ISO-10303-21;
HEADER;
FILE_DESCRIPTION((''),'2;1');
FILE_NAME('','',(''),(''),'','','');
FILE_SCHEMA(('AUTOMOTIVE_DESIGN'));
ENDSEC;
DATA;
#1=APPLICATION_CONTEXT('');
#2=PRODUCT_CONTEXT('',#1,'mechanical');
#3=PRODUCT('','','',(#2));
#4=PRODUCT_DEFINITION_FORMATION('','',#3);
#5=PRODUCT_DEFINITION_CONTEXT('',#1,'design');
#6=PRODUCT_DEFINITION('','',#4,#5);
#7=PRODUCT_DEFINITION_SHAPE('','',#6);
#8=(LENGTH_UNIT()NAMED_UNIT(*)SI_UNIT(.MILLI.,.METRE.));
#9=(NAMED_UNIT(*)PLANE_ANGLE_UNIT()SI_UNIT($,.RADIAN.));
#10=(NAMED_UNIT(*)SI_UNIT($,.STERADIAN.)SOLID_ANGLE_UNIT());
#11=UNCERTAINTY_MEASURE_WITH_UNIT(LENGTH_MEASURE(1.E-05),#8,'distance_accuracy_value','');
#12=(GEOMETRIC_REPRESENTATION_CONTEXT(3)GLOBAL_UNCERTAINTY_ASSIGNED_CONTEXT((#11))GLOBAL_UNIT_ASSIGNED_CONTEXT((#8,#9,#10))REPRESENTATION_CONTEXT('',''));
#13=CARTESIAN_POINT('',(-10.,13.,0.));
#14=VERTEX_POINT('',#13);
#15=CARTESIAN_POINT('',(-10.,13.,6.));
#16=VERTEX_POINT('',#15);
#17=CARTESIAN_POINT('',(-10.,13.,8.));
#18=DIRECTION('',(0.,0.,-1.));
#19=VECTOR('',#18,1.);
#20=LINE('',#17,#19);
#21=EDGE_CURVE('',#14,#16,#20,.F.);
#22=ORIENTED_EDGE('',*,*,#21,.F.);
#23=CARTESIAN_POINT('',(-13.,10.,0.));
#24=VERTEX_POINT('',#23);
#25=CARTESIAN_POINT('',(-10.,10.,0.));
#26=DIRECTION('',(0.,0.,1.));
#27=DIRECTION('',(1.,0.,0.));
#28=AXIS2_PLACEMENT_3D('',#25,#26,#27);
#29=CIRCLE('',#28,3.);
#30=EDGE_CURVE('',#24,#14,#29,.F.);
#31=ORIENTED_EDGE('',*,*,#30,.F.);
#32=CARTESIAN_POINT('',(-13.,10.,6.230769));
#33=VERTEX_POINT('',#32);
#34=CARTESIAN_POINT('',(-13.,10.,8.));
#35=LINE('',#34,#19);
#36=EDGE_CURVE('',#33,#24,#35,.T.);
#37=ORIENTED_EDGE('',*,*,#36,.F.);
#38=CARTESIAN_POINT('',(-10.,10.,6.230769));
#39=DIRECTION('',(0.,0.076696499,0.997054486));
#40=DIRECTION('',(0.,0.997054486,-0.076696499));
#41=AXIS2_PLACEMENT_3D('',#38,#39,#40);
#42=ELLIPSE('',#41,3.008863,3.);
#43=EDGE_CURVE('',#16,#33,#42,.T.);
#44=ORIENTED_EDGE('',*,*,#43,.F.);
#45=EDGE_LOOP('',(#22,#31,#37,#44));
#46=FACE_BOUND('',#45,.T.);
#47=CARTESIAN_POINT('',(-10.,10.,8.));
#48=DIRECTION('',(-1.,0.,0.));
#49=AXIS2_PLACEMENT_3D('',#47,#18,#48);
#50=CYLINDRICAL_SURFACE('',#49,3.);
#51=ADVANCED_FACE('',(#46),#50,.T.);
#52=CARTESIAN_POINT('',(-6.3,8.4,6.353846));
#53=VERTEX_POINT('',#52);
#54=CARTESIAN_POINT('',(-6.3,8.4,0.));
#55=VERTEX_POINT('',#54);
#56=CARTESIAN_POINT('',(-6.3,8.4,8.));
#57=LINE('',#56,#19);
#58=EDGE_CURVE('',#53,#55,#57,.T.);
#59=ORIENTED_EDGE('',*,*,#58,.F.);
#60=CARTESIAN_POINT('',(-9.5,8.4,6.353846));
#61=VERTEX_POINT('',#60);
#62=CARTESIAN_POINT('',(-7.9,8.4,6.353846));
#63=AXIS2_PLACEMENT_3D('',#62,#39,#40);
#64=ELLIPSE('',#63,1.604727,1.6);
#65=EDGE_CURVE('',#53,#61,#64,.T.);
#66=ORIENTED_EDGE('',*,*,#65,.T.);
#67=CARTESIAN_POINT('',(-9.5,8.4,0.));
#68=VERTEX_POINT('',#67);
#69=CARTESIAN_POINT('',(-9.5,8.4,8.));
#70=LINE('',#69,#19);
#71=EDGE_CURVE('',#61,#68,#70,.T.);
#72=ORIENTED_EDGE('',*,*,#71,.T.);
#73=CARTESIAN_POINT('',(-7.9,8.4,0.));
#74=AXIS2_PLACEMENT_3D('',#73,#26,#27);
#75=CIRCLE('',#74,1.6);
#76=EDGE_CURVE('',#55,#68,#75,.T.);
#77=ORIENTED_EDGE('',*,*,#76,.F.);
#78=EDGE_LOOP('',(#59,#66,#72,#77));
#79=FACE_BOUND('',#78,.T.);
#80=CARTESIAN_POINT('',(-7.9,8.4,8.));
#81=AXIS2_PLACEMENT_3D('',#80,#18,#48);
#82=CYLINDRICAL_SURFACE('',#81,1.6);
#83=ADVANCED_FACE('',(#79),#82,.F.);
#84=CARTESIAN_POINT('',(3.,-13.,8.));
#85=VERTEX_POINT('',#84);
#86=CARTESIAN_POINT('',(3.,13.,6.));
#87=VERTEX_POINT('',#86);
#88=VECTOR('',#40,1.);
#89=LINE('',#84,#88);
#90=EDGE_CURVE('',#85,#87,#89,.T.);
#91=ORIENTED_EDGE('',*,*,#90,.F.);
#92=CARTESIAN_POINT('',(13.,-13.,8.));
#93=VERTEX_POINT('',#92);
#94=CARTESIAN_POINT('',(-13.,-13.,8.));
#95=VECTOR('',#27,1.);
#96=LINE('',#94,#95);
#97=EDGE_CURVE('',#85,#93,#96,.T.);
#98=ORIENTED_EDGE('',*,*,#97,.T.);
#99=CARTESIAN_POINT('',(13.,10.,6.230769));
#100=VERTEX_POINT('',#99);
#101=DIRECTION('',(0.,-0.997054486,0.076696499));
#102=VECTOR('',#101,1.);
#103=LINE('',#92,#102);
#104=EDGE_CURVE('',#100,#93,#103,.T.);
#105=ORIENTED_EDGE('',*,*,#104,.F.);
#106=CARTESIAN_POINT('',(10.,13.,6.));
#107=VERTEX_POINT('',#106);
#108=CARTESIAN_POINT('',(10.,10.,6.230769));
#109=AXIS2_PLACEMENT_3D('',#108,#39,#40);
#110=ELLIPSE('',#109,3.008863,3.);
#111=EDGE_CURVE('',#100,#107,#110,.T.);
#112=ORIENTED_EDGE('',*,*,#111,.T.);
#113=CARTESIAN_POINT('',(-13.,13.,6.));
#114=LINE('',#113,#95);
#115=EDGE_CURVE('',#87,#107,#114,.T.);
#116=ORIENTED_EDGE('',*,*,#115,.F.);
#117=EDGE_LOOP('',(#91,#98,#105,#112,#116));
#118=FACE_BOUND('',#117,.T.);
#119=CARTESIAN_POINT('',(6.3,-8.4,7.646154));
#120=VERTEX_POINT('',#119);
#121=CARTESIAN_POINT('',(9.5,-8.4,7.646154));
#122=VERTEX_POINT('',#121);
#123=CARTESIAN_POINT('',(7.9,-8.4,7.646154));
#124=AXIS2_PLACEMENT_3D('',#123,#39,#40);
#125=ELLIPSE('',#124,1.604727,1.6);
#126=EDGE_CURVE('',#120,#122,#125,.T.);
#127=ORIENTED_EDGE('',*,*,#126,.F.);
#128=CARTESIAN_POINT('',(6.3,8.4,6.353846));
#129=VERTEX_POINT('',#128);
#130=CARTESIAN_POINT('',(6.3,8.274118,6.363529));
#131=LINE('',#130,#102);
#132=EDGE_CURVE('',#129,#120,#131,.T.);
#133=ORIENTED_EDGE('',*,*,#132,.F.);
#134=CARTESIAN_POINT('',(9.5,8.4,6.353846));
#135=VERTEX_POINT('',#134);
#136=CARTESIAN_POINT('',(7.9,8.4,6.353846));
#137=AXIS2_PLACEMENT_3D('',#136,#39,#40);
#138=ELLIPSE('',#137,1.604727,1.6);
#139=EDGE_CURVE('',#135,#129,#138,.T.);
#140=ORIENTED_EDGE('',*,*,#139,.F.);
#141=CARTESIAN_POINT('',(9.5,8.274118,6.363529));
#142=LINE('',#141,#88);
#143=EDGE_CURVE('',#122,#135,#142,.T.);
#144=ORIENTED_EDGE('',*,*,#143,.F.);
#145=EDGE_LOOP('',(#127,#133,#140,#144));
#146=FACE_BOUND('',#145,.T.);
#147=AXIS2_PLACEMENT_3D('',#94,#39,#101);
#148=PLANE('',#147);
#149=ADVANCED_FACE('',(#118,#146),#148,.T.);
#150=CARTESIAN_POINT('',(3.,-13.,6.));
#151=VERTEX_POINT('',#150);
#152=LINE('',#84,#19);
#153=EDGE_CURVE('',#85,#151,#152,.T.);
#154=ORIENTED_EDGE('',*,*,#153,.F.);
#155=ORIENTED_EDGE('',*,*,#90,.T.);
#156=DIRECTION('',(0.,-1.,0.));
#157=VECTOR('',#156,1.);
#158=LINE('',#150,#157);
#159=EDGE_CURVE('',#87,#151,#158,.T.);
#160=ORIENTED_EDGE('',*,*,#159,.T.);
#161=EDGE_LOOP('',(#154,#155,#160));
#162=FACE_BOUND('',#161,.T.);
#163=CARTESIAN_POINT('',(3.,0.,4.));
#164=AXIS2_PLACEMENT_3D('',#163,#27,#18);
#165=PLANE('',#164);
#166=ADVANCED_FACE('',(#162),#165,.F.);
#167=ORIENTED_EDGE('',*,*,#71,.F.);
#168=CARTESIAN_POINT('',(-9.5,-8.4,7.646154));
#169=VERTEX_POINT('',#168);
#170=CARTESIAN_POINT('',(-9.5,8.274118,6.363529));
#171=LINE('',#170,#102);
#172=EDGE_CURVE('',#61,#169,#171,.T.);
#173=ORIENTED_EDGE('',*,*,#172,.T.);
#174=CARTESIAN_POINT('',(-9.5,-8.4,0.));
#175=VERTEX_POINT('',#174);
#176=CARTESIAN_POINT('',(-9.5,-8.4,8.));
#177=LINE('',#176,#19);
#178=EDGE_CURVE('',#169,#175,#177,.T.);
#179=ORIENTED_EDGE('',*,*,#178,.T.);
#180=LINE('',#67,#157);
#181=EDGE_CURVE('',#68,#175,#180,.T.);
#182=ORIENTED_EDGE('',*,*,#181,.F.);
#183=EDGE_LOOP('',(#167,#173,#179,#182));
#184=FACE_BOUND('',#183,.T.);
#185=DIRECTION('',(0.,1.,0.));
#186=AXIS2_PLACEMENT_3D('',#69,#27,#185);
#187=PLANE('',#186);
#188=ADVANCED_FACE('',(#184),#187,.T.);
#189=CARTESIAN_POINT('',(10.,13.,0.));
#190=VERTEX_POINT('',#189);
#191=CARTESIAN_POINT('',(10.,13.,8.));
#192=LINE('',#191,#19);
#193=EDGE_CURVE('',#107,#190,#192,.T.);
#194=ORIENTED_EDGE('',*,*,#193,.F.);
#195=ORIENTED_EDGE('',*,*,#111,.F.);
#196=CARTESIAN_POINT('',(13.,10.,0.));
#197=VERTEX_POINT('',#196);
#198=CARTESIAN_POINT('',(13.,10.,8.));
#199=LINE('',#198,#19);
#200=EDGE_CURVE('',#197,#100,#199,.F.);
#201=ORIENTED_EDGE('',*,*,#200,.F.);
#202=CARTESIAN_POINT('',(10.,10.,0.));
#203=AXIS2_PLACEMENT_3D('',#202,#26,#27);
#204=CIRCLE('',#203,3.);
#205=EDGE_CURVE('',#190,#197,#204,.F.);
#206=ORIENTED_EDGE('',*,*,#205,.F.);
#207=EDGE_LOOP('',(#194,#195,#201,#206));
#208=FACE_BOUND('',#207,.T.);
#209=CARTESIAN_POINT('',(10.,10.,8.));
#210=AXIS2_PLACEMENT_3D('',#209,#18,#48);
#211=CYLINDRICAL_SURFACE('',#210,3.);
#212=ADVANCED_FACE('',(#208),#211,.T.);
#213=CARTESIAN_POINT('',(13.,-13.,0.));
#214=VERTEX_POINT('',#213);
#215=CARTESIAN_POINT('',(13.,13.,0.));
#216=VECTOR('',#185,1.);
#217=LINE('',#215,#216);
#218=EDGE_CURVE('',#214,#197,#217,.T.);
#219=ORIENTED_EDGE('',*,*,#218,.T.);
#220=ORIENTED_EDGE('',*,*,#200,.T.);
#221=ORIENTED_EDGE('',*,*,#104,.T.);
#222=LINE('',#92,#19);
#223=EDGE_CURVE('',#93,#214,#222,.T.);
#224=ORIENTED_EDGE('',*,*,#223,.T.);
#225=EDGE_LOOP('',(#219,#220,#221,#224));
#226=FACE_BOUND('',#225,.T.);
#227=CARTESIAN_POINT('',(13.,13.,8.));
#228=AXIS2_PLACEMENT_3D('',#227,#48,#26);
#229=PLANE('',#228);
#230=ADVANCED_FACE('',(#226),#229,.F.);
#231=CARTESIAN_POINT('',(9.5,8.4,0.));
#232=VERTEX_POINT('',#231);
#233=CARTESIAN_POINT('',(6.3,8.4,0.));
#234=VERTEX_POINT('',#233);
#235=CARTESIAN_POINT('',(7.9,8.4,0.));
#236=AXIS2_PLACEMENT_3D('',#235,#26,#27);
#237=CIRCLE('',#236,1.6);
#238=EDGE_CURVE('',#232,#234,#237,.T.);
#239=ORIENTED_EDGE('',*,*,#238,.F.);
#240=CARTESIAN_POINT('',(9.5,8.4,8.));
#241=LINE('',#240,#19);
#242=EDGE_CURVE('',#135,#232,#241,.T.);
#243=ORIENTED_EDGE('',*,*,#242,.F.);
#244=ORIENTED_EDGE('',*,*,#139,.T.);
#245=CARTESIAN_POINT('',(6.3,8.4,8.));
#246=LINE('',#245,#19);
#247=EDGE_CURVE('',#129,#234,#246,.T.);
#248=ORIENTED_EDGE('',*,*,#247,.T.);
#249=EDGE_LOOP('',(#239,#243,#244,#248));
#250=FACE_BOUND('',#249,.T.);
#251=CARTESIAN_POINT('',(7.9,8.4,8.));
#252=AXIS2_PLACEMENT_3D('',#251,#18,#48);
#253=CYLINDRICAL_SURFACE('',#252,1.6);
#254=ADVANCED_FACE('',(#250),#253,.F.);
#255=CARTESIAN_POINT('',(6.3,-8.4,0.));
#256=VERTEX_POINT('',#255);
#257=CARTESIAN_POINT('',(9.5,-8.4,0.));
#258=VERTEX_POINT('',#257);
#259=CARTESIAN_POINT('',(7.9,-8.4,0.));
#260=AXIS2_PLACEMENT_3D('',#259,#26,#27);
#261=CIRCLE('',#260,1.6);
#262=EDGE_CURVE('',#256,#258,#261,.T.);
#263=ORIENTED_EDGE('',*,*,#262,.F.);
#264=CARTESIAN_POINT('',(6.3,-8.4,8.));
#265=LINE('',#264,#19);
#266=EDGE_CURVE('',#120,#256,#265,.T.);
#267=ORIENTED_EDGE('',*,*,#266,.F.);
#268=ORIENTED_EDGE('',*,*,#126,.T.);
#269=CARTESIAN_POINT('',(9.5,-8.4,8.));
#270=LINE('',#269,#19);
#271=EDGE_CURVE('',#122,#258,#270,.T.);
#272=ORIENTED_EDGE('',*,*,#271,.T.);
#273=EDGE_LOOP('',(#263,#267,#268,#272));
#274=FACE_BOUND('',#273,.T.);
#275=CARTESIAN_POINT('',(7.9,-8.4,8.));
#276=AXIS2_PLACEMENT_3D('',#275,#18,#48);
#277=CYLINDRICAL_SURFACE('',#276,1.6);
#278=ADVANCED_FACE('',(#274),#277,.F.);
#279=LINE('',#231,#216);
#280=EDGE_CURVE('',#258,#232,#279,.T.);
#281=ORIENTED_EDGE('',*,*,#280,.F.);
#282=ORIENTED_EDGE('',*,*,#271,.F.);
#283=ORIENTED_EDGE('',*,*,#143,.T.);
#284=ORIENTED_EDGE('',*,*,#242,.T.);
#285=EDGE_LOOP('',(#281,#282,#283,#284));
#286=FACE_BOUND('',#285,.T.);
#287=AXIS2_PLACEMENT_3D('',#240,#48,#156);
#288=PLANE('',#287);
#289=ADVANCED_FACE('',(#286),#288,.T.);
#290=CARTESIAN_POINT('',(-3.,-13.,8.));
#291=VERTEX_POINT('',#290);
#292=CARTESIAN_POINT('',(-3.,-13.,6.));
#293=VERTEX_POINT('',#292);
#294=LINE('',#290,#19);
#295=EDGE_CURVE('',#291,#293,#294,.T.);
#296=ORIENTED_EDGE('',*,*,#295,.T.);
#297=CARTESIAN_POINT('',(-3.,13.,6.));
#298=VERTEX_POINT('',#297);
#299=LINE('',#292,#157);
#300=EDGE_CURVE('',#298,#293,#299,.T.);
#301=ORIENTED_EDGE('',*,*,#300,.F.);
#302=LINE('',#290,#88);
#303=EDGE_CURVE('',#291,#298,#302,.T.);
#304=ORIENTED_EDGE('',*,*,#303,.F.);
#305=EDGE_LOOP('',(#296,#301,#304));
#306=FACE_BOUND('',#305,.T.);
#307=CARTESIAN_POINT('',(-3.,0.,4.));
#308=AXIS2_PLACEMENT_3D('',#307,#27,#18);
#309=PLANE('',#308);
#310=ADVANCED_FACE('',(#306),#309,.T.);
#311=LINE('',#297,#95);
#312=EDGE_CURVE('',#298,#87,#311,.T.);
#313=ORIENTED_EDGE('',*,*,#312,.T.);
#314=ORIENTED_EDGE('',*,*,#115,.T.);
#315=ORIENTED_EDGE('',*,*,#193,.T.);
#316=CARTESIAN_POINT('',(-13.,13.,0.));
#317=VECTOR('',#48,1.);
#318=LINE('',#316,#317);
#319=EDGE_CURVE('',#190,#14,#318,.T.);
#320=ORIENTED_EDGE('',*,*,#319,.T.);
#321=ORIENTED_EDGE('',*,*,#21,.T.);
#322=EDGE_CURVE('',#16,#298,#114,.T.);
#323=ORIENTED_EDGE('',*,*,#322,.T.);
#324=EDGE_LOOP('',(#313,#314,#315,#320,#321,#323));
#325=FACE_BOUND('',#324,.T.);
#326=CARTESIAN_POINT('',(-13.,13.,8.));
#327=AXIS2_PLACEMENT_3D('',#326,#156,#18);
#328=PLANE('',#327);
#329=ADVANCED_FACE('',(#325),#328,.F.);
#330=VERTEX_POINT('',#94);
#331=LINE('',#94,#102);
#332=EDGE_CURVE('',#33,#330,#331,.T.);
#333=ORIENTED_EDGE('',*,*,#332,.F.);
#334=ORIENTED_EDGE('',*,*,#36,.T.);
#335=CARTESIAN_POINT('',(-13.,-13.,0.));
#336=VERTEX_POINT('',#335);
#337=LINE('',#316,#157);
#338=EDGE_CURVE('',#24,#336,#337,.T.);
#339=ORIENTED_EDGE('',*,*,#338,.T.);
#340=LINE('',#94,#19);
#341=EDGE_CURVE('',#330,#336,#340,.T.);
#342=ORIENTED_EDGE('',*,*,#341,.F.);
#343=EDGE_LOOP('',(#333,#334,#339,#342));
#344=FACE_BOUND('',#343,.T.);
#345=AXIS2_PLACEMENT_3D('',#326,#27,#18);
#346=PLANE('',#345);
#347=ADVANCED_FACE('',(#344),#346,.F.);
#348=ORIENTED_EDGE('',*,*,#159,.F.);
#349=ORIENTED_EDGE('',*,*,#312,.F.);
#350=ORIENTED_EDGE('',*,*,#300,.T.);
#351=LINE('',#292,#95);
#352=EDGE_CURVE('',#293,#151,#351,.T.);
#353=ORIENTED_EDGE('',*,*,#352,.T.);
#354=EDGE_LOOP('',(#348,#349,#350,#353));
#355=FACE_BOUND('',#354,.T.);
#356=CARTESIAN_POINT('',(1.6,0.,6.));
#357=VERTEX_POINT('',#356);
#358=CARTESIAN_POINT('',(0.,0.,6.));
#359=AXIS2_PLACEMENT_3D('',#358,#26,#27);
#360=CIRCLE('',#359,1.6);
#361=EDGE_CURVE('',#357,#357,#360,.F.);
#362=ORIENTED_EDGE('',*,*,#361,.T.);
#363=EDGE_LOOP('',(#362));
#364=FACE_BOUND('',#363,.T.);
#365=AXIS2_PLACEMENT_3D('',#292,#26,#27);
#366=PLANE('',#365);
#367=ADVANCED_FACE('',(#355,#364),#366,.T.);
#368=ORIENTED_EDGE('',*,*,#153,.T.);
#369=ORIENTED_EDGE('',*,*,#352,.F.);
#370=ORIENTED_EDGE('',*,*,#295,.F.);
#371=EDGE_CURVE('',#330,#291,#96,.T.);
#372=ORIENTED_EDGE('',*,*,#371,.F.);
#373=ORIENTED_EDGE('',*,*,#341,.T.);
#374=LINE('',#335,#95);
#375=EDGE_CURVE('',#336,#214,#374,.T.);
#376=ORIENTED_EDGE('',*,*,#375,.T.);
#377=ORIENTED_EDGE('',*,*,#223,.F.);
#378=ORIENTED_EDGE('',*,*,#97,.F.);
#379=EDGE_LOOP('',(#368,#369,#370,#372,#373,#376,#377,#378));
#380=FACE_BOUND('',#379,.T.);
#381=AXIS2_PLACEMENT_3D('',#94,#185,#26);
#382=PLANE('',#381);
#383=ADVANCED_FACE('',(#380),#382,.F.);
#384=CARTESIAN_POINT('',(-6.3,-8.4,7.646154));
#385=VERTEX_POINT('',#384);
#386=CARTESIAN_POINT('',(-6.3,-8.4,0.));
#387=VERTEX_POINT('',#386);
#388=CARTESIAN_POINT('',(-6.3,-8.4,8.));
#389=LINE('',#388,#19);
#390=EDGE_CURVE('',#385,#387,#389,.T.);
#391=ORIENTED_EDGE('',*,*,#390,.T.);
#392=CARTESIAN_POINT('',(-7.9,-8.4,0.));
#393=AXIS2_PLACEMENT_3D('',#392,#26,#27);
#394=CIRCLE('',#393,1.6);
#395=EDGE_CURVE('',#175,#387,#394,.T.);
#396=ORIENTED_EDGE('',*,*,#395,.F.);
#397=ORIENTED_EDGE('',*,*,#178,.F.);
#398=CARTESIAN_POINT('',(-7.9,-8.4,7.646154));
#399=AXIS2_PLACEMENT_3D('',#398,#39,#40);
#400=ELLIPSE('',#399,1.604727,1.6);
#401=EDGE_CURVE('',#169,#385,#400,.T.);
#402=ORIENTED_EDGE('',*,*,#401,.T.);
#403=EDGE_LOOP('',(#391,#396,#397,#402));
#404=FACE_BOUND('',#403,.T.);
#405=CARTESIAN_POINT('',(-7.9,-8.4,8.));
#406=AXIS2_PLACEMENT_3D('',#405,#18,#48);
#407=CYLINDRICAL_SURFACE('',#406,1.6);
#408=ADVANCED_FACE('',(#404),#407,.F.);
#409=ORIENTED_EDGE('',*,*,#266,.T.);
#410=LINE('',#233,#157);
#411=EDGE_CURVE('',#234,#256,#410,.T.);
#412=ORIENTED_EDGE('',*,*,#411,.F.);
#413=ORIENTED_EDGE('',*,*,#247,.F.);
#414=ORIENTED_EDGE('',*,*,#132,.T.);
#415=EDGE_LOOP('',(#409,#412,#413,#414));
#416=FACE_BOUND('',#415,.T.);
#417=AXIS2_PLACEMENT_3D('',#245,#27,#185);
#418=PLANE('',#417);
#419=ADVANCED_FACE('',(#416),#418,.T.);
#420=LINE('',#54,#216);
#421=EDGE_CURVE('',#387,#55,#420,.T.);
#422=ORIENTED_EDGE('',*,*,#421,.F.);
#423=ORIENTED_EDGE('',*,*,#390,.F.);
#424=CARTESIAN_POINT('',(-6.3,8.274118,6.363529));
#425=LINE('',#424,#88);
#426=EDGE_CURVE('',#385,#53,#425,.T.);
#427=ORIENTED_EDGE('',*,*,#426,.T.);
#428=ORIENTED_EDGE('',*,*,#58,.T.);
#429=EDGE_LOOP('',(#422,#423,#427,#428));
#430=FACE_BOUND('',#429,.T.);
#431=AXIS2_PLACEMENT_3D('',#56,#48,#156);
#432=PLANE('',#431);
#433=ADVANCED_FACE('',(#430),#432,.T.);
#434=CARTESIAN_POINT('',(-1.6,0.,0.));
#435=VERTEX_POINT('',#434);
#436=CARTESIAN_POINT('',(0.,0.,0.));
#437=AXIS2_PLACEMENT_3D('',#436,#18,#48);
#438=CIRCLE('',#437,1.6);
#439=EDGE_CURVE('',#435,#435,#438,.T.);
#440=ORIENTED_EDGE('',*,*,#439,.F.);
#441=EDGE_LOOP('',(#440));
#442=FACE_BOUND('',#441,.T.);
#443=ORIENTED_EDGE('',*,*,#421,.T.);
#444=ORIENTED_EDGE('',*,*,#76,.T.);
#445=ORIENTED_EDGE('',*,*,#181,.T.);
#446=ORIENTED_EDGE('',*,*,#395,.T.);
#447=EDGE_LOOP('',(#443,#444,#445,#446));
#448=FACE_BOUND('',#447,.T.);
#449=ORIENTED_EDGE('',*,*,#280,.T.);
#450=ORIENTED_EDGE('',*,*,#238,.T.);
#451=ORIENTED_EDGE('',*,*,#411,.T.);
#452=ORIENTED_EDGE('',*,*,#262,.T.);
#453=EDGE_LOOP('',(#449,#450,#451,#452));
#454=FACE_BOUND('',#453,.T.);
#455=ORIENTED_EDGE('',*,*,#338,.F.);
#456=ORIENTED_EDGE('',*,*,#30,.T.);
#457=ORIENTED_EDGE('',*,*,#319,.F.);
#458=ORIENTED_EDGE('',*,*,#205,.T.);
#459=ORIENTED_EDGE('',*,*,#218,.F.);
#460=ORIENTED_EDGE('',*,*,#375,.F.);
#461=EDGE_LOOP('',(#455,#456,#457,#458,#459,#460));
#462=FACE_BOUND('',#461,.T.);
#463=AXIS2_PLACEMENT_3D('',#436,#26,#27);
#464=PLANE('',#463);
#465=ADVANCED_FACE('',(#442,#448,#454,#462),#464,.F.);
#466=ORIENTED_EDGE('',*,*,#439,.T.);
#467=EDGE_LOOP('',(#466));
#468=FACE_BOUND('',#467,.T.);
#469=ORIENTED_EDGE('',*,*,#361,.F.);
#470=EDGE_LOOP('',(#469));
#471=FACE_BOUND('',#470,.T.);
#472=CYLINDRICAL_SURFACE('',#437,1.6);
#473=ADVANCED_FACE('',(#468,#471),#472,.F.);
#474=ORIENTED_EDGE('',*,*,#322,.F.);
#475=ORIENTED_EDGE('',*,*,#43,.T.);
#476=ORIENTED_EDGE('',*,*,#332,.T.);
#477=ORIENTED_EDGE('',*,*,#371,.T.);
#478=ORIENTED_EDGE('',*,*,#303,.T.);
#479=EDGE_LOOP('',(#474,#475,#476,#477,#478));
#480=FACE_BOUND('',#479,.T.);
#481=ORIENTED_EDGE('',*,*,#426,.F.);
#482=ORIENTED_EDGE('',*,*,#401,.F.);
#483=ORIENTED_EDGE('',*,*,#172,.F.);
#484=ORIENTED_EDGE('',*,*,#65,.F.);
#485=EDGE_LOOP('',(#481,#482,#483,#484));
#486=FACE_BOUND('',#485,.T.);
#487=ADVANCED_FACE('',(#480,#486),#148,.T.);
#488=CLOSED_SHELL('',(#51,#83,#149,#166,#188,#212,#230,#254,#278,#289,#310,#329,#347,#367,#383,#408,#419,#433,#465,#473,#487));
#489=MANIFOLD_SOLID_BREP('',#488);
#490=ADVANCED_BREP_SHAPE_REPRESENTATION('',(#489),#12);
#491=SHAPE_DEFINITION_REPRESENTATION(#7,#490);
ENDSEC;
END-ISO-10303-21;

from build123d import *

# Parameters (mm, degrees)
SKETCH_1_W               = 26
SKETCH_1_H               = 26
EXTRUDE_1_DEPTH          = 8
CUT_EXTRUDE_1_DEPTH      = 21.049937656
CUT_EXTRUDE_1_DEPTH_BACK = 21.049937656
SKETCH_2_OUTSIDE_W       = 17.526
SKETCH_2_OUTSIDE_H       = 35.526
HOLE_WIZARD_M3_1_D       = 3.2
SKETCH_4_OUTSIDE_W       = 17.526
SKETCH_4_OUTSIDE_H       = 35.526
SKETCH_4_OUTSIDE_W_2     = 6
SKETCH_4_OUTSIDE_H_2     = 26
CUT_EXTRUDE_2_DEPTH      = 3
FILLET_1_R               = 3


with BuildPart() as part:
    # ｽｹｯﾁ1 → ﾎﾞｽ - 押し出し1 (new body)
    with BuildSketch(Plane.XY):
        Rectangle(SKETCH_1_W, SKETCH_1_H)
        with BuildLine():
            Line((-6.3, 8.4), (-6.3, -8.4))
            ThreePointArc((-6.3, -8.4), (-7.9, -10), (-9.5, -8.4))
            Line((-9.5, -8.4), (-9.5, 8.4))
            ThreePointArc((-9.5, 8.4), (-7.9, 10), (-6.3, 8.4))
        make_face(mode=Mode.SUBTRACT)
        with BuildLine():
            Line((9.5, 8.4), (9.5, -8.4))
            ThreePointArc((9.5, -8.4), (7.9, -10), (6.3, -8.4))
            Line((6.3, -8.4), (6.3, 8.4))
            ThreePointArc((6.3, 8.4), (7.9, 10), (9.5, 8.4))
        make_face(mode=Mode.SUBTRACT)
    extrude(amount=EXTRUDE_1_DEPTH)

    # ｽｹｯﾁ2 outside → ｶｯﾄ - 押し出し1 (cut, two sides: drawn at the far end of the back side and taken through both)
    with BuildSketch(Plane(origin=(0, 0, 0), x_dir=(0, 0, -1), z_dir=(1, 0, 0)).offset(-CUT_EXTRUDE_1_DEPTH_BACK)):
        with Locations((-4, 0)):
            Rectangle(SKETCH_2_OUTSIDE_W, SKETCH_2_OUTSIDE_H)
        Polygon((0, -13), (-8, -13), (-6, 13), (0, 13), align=None, mode=Mode.SUBTRACT)
    extrude(amount=CUT_EXTRUDE_1_DEPTH + CUT_EXTRUDE_1_DEPTH_BACK, mode=Mode.SUBTRACT)

    # M3 すきま穴1 (through all)
    with Locations(Plane(origin=(0, 0, 0), x_dir=(-1, 0, 0), z_dir=(0, 0, -1))):
        with Locations((0, 0)):
            Hole(HOLE_WIZARD_M3_1_D / 2)

    # ｽｹｯﾁ4 outside → ｶｯﾄ - 押し出し2 (cut, symmetric)
    with BuildSketch(Plane(origin=(0, 0, 0), x_dir=(0, 0, -1), z_dir=(1, 0, 0))):
        with Locations((-4, 0)):
            Rectangle(SKETCH_4_OUTSIDE_W, SKETCH_4_OUTSIDE_H)
        with Locations((-3, 0)):
            Rectangle(SKETCH_4_OUTSIDE_W_2, SKETCH_4_OUTSIDE_H_2, mode=Mode.SUBTRACT)
    extrude(amount=CUT_EXTRUDE_2_DEPTH, both=True, mode=Mode.SUBTRACT)

    # ﾌｨﾚｯﾄ1
    fillet_1_edges = [part.edges().sort_by_distance(p)[0] for p in [
        (-13, 13, 3),
        (13, 13, 3),
    ]]
    fillet(fillet_1_edges, radius=FILLET_1_R)


solid = part.part
